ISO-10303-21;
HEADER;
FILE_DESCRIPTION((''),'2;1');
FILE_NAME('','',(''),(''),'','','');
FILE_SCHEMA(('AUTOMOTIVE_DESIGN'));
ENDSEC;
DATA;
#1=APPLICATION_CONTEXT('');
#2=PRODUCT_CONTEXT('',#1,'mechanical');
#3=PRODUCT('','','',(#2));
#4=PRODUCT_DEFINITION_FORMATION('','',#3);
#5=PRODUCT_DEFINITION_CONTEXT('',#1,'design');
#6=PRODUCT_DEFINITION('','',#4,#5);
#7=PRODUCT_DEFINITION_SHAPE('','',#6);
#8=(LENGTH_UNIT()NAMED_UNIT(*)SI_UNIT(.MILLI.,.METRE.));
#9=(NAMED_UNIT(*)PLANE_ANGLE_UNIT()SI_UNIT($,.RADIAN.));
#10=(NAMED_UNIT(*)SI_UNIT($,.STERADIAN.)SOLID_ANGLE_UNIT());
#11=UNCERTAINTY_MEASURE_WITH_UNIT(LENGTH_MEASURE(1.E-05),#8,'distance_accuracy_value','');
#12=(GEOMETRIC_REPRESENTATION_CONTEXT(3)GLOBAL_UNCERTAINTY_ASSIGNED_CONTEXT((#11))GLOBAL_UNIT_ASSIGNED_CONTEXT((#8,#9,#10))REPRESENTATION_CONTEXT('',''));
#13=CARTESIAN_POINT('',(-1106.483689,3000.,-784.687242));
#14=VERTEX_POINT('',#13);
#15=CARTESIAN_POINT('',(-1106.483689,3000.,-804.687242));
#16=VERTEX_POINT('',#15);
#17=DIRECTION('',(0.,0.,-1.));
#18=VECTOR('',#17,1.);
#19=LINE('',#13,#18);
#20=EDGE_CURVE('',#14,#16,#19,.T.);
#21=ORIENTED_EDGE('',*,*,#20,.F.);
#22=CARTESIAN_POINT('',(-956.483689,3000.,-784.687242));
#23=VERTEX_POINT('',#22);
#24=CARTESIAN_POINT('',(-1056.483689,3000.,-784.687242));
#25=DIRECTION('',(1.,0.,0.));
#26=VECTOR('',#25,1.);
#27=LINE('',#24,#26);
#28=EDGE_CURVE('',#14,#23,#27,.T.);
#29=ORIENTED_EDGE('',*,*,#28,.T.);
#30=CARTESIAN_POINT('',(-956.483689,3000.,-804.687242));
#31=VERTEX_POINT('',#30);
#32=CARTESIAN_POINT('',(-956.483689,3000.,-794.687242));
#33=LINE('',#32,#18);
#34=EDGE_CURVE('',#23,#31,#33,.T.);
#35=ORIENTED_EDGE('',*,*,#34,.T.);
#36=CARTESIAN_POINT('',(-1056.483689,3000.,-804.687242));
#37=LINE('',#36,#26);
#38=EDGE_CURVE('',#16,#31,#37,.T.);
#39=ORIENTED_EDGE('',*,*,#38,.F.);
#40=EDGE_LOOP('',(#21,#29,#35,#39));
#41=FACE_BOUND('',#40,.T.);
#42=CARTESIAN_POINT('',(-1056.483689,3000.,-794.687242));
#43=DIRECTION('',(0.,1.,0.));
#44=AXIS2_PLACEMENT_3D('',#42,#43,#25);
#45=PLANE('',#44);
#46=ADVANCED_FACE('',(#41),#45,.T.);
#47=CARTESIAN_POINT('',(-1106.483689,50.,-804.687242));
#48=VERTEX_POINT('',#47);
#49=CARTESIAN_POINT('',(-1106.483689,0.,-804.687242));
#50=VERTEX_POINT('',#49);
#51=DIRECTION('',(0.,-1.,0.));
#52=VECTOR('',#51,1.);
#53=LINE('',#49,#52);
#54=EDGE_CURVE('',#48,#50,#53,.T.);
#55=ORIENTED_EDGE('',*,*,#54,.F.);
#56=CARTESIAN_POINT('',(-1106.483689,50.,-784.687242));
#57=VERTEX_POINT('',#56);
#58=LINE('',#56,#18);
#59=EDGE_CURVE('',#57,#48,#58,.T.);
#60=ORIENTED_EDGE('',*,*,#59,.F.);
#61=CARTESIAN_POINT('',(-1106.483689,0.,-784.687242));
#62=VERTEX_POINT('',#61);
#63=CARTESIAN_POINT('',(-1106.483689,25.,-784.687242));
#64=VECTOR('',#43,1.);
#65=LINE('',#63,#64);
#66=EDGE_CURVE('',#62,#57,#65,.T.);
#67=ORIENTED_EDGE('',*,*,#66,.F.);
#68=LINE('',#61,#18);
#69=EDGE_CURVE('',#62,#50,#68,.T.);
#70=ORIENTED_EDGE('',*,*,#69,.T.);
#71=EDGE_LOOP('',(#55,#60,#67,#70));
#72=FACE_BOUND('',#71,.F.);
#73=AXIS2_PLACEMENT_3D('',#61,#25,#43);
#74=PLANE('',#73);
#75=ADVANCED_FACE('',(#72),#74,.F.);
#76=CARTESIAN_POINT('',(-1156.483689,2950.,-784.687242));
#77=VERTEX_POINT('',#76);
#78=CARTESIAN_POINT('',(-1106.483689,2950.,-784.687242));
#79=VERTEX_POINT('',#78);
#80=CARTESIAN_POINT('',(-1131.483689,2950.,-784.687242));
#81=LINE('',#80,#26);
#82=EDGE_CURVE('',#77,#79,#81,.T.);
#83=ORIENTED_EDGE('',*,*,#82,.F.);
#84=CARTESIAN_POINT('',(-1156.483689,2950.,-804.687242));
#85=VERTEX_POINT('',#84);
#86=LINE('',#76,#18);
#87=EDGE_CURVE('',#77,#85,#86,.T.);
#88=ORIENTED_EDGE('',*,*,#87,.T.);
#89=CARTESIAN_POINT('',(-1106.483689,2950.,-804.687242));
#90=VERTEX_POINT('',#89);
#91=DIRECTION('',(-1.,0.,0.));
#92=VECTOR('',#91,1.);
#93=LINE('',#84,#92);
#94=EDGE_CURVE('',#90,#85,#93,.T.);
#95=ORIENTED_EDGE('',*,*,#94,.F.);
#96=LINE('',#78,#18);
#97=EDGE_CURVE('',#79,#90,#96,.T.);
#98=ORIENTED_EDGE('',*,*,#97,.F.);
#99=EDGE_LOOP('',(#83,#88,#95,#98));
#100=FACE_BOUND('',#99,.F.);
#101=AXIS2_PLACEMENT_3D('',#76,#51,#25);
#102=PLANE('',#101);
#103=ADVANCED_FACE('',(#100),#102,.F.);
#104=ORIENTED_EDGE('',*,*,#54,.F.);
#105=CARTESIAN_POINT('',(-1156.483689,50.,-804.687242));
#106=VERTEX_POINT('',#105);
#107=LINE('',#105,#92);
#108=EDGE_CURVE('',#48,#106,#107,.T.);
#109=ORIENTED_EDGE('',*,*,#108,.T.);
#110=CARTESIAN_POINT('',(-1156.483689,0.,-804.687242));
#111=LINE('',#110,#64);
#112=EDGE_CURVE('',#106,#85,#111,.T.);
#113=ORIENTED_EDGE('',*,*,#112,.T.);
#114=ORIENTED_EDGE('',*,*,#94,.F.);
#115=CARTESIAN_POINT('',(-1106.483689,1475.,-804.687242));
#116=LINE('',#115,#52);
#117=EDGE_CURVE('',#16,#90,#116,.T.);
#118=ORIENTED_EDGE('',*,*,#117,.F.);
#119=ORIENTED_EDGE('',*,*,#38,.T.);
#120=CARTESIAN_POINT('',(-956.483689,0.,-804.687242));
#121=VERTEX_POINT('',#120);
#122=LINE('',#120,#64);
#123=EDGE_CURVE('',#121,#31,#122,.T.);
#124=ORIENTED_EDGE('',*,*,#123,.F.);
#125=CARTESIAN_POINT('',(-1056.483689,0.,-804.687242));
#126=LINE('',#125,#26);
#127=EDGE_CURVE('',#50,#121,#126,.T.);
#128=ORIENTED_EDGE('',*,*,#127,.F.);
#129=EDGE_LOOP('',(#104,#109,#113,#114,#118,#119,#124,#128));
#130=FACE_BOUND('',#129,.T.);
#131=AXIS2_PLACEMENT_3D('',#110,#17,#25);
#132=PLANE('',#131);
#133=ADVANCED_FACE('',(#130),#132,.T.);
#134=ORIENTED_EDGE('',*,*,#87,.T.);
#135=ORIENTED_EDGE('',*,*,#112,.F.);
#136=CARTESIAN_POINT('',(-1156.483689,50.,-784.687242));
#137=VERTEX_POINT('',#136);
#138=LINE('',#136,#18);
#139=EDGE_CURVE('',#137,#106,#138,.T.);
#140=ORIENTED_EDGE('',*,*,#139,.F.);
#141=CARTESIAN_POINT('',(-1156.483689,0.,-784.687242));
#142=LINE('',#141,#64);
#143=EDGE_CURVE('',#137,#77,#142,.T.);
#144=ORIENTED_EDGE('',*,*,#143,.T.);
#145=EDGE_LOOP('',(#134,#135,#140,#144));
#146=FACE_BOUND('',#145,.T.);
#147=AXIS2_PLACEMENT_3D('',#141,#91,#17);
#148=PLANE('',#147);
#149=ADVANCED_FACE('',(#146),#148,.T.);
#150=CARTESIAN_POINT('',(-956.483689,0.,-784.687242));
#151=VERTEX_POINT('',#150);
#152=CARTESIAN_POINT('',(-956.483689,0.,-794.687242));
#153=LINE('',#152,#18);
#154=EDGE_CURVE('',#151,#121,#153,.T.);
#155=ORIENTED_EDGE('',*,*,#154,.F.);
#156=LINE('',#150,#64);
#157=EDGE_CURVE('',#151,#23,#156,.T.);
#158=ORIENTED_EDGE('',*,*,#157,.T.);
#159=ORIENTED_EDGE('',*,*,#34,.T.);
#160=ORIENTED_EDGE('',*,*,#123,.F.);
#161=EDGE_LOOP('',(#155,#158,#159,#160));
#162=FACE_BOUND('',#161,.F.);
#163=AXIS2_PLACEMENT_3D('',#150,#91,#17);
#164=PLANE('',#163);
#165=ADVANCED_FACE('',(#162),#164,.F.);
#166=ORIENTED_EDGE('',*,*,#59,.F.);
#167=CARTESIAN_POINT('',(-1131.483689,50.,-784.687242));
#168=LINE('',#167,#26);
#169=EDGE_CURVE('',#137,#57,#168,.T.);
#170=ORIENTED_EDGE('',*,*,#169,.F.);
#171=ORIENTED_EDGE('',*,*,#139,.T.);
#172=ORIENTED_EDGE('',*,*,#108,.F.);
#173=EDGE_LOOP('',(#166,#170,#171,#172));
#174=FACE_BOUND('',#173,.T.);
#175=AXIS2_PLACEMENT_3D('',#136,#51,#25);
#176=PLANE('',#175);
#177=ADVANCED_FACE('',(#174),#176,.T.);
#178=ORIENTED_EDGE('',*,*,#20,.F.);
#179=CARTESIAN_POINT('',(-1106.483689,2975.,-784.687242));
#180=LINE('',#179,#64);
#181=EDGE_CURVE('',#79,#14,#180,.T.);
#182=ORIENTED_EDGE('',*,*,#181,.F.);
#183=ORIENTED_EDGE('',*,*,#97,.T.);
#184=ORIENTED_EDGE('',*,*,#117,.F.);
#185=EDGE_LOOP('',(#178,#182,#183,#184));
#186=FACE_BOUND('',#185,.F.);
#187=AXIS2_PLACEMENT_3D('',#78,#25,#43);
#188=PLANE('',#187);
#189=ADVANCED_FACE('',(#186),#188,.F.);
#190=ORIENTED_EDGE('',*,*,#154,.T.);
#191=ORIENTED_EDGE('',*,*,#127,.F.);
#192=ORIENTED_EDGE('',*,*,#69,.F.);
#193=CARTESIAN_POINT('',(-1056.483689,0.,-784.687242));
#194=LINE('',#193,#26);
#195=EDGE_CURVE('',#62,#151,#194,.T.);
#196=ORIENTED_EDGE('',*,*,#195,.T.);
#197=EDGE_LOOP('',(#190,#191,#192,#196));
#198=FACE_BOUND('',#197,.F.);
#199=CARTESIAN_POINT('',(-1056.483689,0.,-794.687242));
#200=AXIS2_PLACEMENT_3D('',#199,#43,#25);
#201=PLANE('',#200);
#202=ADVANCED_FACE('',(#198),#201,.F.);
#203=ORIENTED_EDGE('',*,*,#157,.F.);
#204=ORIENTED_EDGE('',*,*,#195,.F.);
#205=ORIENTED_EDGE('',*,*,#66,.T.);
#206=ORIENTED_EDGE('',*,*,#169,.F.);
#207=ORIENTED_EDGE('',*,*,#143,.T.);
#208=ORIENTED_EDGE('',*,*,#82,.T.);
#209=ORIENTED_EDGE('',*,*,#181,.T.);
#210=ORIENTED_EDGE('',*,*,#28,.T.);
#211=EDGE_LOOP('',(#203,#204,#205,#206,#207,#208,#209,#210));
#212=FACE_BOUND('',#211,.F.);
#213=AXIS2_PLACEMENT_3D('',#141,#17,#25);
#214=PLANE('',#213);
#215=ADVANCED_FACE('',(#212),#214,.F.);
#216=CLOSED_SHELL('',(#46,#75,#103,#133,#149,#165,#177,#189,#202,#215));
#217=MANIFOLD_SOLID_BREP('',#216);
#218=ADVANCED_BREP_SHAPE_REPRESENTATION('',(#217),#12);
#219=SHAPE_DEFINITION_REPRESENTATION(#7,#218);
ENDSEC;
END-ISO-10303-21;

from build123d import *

# Parameters (mm, degrees)
ESBO_O1_W                = 200
ESBO_O1_H                = 20
RESSALTO_EXTRUS_O1_DEPTH = 3000
ESBO_O2_W                = 50
ESBO_O2_H                = 50
CORTE_EXTRUS_O1_DEPTH    = 21
ESBO_O3_W                = 50
ESBO_O3_H                = 50
CORTE_EXTRUS_O2_DEPTH    = 21


with BuildPart() as part:
    # Esboço1 → Ressalto-extrusão1 (new body)
    with BuildSketch(Plane(origin=(0, 0, 0), x_dir=(1, 0, 0), z_dir=(0, 1, 0))):
        with Locations((-1056.483688544, 794.687242443)):
            Rectangle(ESBO_O1_W, ESBO_O1_H)
    extrude(amount=RESSALTO_EXTRUS_O1_DEPTH)

    # Esboço2 → Corte-extrusão1 (cut, through all)
    with BuildSketch(Plane.XY.offset(-784.687242443)):
        with Locations((-1131.483688544, 25)):
            Rectangle(ESBO_O2_W, ESBO_O2_H)
    extrude(amount=-CORTE_EXTRUS_O1_DEPTH, mode=Mode.SUBTRACT)

    # Esboço3 → Corte-extrusão2 (cut, through all)
    with BuildSketch(Plane.XY.offset(-784.687242443)):
        with Locations((-1131.483688544, 2975)):
            Rectangle(ESBO_O3_W, ESBO_O3_H)
    extrude(amount=-CORTE_EXTRUS_O2_DEPTH, mode=Mode.SUBTRACT)


solid = part.part
